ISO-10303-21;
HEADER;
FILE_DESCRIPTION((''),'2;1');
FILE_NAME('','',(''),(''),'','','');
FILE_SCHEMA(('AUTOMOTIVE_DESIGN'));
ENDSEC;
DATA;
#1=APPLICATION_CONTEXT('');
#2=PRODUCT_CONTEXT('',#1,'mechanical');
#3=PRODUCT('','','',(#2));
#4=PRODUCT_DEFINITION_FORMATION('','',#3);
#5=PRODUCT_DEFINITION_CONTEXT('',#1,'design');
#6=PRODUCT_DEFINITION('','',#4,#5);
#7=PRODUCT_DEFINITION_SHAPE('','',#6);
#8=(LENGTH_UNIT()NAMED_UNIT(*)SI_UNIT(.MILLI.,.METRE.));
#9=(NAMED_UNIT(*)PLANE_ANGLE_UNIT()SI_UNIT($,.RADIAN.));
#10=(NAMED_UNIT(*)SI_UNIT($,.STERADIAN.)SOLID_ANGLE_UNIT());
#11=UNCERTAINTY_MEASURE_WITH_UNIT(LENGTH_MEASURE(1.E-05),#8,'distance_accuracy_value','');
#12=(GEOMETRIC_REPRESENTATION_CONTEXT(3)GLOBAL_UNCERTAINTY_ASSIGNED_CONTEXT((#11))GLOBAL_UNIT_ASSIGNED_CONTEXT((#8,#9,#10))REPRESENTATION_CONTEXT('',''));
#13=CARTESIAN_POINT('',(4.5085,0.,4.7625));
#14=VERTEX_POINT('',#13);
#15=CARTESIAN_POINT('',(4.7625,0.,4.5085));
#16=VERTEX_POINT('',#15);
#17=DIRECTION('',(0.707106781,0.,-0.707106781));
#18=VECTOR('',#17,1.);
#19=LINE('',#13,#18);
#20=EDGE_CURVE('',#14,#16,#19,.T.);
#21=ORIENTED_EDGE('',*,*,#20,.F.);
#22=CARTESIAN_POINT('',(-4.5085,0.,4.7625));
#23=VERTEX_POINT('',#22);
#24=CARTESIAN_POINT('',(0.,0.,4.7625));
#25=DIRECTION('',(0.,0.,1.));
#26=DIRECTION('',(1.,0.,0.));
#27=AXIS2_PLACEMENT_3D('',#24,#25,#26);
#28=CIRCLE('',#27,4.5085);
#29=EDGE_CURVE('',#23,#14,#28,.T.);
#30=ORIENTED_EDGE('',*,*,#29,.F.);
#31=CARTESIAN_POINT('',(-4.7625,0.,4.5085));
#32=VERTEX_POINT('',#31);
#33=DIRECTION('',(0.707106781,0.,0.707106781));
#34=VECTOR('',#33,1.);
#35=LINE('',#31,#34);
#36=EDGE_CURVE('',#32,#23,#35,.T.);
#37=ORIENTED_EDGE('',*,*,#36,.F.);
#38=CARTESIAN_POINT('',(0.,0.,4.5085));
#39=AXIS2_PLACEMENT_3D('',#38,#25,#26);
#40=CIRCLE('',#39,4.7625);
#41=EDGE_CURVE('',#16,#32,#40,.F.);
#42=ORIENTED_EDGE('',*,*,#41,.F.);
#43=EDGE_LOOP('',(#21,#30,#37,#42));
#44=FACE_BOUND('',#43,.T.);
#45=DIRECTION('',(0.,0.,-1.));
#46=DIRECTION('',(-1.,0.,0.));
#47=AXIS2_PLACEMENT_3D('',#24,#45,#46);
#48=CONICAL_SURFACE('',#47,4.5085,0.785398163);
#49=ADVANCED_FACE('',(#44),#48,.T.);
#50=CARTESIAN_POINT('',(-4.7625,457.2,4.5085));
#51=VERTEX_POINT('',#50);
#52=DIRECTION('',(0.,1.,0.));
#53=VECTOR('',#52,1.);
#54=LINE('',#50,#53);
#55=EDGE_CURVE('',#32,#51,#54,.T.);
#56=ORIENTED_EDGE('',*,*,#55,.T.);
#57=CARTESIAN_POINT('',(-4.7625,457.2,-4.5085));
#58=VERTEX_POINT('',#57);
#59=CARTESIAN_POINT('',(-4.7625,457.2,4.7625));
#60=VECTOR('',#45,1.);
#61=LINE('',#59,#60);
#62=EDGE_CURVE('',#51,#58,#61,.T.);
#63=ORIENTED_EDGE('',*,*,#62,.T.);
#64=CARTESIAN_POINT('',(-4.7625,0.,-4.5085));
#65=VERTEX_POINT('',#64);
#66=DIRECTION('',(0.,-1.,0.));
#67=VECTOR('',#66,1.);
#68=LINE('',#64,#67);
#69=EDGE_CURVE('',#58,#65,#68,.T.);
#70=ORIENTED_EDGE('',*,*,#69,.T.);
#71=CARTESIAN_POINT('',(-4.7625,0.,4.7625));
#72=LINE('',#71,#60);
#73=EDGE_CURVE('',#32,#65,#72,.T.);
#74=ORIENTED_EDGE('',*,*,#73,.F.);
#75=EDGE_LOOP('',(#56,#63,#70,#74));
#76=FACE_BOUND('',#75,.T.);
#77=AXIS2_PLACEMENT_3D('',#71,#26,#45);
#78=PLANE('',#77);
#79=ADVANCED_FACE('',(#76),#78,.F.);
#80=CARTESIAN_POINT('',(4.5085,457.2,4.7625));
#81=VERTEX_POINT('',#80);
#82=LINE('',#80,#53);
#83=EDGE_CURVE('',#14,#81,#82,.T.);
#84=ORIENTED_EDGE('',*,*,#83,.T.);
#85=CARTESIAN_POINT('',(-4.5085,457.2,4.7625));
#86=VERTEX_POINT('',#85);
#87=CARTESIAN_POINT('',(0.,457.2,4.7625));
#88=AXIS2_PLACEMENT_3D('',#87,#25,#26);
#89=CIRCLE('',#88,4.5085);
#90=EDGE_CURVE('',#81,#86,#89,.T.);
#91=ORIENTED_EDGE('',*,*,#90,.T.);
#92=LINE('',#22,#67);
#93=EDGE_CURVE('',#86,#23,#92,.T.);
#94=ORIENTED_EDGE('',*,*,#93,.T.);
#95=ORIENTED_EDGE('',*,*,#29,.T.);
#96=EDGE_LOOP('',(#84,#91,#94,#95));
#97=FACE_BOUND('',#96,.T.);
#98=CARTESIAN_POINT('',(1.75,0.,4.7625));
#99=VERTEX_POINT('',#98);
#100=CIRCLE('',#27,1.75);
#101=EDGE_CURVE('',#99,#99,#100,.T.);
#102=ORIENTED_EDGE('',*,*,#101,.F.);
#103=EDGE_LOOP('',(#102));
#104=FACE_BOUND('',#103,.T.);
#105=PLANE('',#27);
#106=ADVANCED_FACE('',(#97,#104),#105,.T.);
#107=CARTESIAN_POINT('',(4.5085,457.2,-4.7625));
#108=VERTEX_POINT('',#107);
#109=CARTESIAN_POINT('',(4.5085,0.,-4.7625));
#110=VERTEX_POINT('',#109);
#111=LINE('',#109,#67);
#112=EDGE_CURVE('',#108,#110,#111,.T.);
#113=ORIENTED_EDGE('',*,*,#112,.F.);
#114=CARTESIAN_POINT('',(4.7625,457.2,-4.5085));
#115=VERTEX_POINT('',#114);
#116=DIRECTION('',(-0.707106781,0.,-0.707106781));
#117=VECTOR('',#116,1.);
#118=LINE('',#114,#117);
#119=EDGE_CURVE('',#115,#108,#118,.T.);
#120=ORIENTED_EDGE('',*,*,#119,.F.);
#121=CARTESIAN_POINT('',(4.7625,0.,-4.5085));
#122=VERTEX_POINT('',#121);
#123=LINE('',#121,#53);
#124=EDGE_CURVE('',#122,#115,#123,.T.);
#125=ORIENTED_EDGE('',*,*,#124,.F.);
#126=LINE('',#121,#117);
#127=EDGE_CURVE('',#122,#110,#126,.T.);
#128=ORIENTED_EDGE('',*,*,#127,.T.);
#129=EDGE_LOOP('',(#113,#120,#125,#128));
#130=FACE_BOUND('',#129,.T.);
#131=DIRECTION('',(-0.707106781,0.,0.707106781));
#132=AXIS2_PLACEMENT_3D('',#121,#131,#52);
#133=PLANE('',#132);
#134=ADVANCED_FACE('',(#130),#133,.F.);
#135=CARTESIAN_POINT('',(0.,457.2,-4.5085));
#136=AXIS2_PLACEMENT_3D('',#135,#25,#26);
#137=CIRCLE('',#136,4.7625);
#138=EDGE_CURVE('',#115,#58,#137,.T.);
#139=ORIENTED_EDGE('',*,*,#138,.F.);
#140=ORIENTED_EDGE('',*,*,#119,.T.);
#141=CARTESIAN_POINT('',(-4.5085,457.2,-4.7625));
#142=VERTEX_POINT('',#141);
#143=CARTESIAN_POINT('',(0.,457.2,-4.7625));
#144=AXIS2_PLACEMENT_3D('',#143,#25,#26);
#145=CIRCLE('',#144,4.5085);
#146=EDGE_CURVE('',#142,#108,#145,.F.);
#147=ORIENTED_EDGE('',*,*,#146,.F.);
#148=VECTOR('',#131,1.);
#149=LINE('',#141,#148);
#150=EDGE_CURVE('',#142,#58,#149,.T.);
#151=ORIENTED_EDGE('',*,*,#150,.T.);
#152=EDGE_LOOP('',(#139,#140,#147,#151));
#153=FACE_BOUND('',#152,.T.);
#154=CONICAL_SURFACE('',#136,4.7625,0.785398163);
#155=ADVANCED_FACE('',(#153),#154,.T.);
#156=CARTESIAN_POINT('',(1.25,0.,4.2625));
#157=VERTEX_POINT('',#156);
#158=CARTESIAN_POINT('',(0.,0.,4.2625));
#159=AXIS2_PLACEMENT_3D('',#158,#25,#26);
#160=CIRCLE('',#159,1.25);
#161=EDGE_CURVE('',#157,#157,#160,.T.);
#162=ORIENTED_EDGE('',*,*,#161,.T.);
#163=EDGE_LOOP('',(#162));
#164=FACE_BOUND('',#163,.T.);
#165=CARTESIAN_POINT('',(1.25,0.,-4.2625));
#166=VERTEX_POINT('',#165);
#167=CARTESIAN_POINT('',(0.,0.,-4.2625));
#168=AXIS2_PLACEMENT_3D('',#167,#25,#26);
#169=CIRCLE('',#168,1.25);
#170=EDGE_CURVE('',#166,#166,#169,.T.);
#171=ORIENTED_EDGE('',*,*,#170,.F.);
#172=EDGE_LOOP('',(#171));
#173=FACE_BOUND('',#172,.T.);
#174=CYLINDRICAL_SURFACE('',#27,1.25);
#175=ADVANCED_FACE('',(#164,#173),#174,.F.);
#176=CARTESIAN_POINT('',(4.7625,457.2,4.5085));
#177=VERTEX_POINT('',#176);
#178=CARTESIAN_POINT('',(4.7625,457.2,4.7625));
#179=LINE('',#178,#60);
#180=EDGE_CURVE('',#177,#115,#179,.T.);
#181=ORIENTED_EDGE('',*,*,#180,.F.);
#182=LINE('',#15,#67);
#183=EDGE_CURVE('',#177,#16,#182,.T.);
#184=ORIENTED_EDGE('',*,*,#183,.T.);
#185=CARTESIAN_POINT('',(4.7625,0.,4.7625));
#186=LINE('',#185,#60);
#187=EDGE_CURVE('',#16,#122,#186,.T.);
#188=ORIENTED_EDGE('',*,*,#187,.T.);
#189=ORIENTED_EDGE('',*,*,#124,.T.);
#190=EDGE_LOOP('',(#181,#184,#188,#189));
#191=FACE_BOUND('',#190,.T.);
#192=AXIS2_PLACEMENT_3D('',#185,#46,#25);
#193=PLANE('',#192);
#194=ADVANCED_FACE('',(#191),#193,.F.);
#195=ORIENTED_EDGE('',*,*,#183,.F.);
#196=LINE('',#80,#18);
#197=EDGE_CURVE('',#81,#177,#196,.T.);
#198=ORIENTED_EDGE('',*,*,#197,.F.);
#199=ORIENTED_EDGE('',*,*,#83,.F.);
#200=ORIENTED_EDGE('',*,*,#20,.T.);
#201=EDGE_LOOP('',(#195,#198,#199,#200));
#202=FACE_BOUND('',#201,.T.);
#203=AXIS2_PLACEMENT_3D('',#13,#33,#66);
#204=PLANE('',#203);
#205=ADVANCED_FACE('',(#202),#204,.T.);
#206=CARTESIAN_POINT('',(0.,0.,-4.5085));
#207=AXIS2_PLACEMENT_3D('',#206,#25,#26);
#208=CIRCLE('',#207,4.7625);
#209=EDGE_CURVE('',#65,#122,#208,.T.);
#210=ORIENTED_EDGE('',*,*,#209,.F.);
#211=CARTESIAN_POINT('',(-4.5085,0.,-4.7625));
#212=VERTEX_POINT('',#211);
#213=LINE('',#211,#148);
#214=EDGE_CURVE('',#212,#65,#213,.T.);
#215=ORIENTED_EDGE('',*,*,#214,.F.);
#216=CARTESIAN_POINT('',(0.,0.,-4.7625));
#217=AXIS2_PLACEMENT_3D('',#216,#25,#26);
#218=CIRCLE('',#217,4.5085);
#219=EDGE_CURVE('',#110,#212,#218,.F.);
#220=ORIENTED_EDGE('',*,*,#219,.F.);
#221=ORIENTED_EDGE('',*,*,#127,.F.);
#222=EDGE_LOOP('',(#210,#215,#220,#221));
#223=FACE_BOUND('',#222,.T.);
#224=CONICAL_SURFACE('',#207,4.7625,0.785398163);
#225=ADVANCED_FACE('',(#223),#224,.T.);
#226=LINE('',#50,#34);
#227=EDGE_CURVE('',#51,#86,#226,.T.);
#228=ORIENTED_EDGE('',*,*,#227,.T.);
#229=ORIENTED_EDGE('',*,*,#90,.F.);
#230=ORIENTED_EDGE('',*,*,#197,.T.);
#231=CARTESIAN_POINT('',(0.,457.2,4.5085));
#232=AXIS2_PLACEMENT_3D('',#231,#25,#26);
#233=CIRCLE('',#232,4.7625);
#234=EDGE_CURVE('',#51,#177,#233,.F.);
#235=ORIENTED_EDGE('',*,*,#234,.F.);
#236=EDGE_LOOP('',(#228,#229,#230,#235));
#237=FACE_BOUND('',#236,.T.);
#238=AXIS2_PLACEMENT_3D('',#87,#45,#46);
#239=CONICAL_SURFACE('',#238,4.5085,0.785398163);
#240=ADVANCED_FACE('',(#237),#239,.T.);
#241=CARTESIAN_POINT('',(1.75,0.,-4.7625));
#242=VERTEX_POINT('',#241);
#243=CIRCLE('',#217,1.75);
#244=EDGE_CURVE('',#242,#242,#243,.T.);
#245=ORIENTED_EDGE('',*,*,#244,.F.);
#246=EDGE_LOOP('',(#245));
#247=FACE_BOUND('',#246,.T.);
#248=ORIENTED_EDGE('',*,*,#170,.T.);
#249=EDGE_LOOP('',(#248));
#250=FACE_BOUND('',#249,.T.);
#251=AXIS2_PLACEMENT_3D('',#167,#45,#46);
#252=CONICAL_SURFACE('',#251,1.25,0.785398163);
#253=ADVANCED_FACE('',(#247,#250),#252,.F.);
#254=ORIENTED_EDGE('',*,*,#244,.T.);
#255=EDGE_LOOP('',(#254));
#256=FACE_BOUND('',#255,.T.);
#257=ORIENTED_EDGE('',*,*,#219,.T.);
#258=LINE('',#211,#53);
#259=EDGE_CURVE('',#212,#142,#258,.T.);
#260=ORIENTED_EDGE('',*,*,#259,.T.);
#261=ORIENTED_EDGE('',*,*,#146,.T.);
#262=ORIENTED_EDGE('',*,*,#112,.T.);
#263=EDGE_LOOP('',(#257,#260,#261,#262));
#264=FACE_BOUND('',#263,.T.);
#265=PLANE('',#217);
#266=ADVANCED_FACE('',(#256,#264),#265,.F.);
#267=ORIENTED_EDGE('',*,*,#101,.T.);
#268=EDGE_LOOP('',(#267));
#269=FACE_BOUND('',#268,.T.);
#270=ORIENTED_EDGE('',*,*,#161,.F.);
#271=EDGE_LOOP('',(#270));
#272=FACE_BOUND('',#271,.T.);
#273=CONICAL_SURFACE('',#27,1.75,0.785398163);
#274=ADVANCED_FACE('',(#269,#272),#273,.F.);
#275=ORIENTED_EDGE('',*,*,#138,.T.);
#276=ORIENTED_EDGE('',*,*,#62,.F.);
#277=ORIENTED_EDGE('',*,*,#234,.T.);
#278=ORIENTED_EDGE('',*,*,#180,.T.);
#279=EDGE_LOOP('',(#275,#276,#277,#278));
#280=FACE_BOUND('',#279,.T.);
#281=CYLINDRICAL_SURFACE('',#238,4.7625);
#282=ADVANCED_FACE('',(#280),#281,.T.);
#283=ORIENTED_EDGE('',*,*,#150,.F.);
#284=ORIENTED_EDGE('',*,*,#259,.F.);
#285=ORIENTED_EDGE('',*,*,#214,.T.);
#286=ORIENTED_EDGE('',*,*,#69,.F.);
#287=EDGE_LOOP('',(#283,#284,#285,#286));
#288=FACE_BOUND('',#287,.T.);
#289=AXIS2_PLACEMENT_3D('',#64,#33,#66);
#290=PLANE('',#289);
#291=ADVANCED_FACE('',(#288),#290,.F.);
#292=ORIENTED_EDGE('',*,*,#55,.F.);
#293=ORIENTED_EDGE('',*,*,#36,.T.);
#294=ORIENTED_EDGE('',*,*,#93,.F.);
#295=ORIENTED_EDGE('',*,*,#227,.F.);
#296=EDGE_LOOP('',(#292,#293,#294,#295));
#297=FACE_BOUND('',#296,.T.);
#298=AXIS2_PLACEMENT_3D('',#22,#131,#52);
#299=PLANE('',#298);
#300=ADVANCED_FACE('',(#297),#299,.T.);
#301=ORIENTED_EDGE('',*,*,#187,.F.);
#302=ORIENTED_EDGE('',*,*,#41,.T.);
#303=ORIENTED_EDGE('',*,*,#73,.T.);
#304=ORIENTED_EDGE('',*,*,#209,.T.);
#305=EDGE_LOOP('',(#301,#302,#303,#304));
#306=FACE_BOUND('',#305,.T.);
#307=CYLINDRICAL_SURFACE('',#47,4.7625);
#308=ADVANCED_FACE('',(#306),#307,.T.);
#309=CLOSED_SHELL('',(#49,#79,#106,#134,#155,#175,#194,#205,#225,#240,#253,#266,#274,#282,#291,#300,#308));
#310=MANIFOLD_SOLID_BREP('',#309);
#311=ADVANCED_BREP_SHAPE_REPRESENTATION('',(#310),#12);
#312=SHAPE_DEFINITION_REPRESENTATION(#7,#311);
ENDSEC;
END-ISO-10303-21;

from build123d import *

# Parameters (mm, degrees)
BOSS_EXTRUDE1_DEPTH = 4.7625
CHAMFER1_SIZE       = 0.254


with BuildPart() as part:
    # Sketch1 → Boss-Extrude1 (new body, symmetric)
    with BuildSketch(Plane.XY):
        with BuildLine():
            Line((-4.7625, 0), (-4.7625, 457.2))
            ThreePointArc((-4.7625, 457.2), (0, 461.9625), (4.7625, 457.2))
            Line((4.7625, 457.2), (4.7625, 0))
            ThreePointArc((4.7625, 0), (0, -4.7625), (-4.7625, 0))
        make_face()
    extrude(amount=BOSS_EXTRUDE1_DEPTH, both=True)

    # Sketch3 → M3x0.5 Tapped Hole1 (revolve, cut)
    with BuildSketch(Plane(origin=(0, 0, 4.7625), x_dir=(0, -1, 0), z_dir=(1, 0, 0))):
        Polygon((0, 0), (0, 9.525), (1.75, 9.525), (1.25, 9.025), (1.25, 0.5), (1.75, 0), align=None)
    revolve(axis=Axis((0, 0, 11.1125), (0, 0, -1)), mode=Mode.SUBTRACT)

    # Chamfer1
    chamfer1_edges = [part.edges().sort_by_distance(p)[0] for p in [
        (0, 461.9625, 4.7625),
        (-4.7625, 228.6, 4.7625),
        (0, -4.7625, 4.7625),
        (-4.7625, 228.6, -4.7625),
        (0, 461.9625, -4.7625),
        (4.7625, 228.6, -4.7625),
        (0, -4.7625, -4.7625),
        (4.7625, 228.6, 4.7625),
    ]]
    chamfer(chamfer1_edges, length=CHAMFER1_SIZE)


solid = part.part
